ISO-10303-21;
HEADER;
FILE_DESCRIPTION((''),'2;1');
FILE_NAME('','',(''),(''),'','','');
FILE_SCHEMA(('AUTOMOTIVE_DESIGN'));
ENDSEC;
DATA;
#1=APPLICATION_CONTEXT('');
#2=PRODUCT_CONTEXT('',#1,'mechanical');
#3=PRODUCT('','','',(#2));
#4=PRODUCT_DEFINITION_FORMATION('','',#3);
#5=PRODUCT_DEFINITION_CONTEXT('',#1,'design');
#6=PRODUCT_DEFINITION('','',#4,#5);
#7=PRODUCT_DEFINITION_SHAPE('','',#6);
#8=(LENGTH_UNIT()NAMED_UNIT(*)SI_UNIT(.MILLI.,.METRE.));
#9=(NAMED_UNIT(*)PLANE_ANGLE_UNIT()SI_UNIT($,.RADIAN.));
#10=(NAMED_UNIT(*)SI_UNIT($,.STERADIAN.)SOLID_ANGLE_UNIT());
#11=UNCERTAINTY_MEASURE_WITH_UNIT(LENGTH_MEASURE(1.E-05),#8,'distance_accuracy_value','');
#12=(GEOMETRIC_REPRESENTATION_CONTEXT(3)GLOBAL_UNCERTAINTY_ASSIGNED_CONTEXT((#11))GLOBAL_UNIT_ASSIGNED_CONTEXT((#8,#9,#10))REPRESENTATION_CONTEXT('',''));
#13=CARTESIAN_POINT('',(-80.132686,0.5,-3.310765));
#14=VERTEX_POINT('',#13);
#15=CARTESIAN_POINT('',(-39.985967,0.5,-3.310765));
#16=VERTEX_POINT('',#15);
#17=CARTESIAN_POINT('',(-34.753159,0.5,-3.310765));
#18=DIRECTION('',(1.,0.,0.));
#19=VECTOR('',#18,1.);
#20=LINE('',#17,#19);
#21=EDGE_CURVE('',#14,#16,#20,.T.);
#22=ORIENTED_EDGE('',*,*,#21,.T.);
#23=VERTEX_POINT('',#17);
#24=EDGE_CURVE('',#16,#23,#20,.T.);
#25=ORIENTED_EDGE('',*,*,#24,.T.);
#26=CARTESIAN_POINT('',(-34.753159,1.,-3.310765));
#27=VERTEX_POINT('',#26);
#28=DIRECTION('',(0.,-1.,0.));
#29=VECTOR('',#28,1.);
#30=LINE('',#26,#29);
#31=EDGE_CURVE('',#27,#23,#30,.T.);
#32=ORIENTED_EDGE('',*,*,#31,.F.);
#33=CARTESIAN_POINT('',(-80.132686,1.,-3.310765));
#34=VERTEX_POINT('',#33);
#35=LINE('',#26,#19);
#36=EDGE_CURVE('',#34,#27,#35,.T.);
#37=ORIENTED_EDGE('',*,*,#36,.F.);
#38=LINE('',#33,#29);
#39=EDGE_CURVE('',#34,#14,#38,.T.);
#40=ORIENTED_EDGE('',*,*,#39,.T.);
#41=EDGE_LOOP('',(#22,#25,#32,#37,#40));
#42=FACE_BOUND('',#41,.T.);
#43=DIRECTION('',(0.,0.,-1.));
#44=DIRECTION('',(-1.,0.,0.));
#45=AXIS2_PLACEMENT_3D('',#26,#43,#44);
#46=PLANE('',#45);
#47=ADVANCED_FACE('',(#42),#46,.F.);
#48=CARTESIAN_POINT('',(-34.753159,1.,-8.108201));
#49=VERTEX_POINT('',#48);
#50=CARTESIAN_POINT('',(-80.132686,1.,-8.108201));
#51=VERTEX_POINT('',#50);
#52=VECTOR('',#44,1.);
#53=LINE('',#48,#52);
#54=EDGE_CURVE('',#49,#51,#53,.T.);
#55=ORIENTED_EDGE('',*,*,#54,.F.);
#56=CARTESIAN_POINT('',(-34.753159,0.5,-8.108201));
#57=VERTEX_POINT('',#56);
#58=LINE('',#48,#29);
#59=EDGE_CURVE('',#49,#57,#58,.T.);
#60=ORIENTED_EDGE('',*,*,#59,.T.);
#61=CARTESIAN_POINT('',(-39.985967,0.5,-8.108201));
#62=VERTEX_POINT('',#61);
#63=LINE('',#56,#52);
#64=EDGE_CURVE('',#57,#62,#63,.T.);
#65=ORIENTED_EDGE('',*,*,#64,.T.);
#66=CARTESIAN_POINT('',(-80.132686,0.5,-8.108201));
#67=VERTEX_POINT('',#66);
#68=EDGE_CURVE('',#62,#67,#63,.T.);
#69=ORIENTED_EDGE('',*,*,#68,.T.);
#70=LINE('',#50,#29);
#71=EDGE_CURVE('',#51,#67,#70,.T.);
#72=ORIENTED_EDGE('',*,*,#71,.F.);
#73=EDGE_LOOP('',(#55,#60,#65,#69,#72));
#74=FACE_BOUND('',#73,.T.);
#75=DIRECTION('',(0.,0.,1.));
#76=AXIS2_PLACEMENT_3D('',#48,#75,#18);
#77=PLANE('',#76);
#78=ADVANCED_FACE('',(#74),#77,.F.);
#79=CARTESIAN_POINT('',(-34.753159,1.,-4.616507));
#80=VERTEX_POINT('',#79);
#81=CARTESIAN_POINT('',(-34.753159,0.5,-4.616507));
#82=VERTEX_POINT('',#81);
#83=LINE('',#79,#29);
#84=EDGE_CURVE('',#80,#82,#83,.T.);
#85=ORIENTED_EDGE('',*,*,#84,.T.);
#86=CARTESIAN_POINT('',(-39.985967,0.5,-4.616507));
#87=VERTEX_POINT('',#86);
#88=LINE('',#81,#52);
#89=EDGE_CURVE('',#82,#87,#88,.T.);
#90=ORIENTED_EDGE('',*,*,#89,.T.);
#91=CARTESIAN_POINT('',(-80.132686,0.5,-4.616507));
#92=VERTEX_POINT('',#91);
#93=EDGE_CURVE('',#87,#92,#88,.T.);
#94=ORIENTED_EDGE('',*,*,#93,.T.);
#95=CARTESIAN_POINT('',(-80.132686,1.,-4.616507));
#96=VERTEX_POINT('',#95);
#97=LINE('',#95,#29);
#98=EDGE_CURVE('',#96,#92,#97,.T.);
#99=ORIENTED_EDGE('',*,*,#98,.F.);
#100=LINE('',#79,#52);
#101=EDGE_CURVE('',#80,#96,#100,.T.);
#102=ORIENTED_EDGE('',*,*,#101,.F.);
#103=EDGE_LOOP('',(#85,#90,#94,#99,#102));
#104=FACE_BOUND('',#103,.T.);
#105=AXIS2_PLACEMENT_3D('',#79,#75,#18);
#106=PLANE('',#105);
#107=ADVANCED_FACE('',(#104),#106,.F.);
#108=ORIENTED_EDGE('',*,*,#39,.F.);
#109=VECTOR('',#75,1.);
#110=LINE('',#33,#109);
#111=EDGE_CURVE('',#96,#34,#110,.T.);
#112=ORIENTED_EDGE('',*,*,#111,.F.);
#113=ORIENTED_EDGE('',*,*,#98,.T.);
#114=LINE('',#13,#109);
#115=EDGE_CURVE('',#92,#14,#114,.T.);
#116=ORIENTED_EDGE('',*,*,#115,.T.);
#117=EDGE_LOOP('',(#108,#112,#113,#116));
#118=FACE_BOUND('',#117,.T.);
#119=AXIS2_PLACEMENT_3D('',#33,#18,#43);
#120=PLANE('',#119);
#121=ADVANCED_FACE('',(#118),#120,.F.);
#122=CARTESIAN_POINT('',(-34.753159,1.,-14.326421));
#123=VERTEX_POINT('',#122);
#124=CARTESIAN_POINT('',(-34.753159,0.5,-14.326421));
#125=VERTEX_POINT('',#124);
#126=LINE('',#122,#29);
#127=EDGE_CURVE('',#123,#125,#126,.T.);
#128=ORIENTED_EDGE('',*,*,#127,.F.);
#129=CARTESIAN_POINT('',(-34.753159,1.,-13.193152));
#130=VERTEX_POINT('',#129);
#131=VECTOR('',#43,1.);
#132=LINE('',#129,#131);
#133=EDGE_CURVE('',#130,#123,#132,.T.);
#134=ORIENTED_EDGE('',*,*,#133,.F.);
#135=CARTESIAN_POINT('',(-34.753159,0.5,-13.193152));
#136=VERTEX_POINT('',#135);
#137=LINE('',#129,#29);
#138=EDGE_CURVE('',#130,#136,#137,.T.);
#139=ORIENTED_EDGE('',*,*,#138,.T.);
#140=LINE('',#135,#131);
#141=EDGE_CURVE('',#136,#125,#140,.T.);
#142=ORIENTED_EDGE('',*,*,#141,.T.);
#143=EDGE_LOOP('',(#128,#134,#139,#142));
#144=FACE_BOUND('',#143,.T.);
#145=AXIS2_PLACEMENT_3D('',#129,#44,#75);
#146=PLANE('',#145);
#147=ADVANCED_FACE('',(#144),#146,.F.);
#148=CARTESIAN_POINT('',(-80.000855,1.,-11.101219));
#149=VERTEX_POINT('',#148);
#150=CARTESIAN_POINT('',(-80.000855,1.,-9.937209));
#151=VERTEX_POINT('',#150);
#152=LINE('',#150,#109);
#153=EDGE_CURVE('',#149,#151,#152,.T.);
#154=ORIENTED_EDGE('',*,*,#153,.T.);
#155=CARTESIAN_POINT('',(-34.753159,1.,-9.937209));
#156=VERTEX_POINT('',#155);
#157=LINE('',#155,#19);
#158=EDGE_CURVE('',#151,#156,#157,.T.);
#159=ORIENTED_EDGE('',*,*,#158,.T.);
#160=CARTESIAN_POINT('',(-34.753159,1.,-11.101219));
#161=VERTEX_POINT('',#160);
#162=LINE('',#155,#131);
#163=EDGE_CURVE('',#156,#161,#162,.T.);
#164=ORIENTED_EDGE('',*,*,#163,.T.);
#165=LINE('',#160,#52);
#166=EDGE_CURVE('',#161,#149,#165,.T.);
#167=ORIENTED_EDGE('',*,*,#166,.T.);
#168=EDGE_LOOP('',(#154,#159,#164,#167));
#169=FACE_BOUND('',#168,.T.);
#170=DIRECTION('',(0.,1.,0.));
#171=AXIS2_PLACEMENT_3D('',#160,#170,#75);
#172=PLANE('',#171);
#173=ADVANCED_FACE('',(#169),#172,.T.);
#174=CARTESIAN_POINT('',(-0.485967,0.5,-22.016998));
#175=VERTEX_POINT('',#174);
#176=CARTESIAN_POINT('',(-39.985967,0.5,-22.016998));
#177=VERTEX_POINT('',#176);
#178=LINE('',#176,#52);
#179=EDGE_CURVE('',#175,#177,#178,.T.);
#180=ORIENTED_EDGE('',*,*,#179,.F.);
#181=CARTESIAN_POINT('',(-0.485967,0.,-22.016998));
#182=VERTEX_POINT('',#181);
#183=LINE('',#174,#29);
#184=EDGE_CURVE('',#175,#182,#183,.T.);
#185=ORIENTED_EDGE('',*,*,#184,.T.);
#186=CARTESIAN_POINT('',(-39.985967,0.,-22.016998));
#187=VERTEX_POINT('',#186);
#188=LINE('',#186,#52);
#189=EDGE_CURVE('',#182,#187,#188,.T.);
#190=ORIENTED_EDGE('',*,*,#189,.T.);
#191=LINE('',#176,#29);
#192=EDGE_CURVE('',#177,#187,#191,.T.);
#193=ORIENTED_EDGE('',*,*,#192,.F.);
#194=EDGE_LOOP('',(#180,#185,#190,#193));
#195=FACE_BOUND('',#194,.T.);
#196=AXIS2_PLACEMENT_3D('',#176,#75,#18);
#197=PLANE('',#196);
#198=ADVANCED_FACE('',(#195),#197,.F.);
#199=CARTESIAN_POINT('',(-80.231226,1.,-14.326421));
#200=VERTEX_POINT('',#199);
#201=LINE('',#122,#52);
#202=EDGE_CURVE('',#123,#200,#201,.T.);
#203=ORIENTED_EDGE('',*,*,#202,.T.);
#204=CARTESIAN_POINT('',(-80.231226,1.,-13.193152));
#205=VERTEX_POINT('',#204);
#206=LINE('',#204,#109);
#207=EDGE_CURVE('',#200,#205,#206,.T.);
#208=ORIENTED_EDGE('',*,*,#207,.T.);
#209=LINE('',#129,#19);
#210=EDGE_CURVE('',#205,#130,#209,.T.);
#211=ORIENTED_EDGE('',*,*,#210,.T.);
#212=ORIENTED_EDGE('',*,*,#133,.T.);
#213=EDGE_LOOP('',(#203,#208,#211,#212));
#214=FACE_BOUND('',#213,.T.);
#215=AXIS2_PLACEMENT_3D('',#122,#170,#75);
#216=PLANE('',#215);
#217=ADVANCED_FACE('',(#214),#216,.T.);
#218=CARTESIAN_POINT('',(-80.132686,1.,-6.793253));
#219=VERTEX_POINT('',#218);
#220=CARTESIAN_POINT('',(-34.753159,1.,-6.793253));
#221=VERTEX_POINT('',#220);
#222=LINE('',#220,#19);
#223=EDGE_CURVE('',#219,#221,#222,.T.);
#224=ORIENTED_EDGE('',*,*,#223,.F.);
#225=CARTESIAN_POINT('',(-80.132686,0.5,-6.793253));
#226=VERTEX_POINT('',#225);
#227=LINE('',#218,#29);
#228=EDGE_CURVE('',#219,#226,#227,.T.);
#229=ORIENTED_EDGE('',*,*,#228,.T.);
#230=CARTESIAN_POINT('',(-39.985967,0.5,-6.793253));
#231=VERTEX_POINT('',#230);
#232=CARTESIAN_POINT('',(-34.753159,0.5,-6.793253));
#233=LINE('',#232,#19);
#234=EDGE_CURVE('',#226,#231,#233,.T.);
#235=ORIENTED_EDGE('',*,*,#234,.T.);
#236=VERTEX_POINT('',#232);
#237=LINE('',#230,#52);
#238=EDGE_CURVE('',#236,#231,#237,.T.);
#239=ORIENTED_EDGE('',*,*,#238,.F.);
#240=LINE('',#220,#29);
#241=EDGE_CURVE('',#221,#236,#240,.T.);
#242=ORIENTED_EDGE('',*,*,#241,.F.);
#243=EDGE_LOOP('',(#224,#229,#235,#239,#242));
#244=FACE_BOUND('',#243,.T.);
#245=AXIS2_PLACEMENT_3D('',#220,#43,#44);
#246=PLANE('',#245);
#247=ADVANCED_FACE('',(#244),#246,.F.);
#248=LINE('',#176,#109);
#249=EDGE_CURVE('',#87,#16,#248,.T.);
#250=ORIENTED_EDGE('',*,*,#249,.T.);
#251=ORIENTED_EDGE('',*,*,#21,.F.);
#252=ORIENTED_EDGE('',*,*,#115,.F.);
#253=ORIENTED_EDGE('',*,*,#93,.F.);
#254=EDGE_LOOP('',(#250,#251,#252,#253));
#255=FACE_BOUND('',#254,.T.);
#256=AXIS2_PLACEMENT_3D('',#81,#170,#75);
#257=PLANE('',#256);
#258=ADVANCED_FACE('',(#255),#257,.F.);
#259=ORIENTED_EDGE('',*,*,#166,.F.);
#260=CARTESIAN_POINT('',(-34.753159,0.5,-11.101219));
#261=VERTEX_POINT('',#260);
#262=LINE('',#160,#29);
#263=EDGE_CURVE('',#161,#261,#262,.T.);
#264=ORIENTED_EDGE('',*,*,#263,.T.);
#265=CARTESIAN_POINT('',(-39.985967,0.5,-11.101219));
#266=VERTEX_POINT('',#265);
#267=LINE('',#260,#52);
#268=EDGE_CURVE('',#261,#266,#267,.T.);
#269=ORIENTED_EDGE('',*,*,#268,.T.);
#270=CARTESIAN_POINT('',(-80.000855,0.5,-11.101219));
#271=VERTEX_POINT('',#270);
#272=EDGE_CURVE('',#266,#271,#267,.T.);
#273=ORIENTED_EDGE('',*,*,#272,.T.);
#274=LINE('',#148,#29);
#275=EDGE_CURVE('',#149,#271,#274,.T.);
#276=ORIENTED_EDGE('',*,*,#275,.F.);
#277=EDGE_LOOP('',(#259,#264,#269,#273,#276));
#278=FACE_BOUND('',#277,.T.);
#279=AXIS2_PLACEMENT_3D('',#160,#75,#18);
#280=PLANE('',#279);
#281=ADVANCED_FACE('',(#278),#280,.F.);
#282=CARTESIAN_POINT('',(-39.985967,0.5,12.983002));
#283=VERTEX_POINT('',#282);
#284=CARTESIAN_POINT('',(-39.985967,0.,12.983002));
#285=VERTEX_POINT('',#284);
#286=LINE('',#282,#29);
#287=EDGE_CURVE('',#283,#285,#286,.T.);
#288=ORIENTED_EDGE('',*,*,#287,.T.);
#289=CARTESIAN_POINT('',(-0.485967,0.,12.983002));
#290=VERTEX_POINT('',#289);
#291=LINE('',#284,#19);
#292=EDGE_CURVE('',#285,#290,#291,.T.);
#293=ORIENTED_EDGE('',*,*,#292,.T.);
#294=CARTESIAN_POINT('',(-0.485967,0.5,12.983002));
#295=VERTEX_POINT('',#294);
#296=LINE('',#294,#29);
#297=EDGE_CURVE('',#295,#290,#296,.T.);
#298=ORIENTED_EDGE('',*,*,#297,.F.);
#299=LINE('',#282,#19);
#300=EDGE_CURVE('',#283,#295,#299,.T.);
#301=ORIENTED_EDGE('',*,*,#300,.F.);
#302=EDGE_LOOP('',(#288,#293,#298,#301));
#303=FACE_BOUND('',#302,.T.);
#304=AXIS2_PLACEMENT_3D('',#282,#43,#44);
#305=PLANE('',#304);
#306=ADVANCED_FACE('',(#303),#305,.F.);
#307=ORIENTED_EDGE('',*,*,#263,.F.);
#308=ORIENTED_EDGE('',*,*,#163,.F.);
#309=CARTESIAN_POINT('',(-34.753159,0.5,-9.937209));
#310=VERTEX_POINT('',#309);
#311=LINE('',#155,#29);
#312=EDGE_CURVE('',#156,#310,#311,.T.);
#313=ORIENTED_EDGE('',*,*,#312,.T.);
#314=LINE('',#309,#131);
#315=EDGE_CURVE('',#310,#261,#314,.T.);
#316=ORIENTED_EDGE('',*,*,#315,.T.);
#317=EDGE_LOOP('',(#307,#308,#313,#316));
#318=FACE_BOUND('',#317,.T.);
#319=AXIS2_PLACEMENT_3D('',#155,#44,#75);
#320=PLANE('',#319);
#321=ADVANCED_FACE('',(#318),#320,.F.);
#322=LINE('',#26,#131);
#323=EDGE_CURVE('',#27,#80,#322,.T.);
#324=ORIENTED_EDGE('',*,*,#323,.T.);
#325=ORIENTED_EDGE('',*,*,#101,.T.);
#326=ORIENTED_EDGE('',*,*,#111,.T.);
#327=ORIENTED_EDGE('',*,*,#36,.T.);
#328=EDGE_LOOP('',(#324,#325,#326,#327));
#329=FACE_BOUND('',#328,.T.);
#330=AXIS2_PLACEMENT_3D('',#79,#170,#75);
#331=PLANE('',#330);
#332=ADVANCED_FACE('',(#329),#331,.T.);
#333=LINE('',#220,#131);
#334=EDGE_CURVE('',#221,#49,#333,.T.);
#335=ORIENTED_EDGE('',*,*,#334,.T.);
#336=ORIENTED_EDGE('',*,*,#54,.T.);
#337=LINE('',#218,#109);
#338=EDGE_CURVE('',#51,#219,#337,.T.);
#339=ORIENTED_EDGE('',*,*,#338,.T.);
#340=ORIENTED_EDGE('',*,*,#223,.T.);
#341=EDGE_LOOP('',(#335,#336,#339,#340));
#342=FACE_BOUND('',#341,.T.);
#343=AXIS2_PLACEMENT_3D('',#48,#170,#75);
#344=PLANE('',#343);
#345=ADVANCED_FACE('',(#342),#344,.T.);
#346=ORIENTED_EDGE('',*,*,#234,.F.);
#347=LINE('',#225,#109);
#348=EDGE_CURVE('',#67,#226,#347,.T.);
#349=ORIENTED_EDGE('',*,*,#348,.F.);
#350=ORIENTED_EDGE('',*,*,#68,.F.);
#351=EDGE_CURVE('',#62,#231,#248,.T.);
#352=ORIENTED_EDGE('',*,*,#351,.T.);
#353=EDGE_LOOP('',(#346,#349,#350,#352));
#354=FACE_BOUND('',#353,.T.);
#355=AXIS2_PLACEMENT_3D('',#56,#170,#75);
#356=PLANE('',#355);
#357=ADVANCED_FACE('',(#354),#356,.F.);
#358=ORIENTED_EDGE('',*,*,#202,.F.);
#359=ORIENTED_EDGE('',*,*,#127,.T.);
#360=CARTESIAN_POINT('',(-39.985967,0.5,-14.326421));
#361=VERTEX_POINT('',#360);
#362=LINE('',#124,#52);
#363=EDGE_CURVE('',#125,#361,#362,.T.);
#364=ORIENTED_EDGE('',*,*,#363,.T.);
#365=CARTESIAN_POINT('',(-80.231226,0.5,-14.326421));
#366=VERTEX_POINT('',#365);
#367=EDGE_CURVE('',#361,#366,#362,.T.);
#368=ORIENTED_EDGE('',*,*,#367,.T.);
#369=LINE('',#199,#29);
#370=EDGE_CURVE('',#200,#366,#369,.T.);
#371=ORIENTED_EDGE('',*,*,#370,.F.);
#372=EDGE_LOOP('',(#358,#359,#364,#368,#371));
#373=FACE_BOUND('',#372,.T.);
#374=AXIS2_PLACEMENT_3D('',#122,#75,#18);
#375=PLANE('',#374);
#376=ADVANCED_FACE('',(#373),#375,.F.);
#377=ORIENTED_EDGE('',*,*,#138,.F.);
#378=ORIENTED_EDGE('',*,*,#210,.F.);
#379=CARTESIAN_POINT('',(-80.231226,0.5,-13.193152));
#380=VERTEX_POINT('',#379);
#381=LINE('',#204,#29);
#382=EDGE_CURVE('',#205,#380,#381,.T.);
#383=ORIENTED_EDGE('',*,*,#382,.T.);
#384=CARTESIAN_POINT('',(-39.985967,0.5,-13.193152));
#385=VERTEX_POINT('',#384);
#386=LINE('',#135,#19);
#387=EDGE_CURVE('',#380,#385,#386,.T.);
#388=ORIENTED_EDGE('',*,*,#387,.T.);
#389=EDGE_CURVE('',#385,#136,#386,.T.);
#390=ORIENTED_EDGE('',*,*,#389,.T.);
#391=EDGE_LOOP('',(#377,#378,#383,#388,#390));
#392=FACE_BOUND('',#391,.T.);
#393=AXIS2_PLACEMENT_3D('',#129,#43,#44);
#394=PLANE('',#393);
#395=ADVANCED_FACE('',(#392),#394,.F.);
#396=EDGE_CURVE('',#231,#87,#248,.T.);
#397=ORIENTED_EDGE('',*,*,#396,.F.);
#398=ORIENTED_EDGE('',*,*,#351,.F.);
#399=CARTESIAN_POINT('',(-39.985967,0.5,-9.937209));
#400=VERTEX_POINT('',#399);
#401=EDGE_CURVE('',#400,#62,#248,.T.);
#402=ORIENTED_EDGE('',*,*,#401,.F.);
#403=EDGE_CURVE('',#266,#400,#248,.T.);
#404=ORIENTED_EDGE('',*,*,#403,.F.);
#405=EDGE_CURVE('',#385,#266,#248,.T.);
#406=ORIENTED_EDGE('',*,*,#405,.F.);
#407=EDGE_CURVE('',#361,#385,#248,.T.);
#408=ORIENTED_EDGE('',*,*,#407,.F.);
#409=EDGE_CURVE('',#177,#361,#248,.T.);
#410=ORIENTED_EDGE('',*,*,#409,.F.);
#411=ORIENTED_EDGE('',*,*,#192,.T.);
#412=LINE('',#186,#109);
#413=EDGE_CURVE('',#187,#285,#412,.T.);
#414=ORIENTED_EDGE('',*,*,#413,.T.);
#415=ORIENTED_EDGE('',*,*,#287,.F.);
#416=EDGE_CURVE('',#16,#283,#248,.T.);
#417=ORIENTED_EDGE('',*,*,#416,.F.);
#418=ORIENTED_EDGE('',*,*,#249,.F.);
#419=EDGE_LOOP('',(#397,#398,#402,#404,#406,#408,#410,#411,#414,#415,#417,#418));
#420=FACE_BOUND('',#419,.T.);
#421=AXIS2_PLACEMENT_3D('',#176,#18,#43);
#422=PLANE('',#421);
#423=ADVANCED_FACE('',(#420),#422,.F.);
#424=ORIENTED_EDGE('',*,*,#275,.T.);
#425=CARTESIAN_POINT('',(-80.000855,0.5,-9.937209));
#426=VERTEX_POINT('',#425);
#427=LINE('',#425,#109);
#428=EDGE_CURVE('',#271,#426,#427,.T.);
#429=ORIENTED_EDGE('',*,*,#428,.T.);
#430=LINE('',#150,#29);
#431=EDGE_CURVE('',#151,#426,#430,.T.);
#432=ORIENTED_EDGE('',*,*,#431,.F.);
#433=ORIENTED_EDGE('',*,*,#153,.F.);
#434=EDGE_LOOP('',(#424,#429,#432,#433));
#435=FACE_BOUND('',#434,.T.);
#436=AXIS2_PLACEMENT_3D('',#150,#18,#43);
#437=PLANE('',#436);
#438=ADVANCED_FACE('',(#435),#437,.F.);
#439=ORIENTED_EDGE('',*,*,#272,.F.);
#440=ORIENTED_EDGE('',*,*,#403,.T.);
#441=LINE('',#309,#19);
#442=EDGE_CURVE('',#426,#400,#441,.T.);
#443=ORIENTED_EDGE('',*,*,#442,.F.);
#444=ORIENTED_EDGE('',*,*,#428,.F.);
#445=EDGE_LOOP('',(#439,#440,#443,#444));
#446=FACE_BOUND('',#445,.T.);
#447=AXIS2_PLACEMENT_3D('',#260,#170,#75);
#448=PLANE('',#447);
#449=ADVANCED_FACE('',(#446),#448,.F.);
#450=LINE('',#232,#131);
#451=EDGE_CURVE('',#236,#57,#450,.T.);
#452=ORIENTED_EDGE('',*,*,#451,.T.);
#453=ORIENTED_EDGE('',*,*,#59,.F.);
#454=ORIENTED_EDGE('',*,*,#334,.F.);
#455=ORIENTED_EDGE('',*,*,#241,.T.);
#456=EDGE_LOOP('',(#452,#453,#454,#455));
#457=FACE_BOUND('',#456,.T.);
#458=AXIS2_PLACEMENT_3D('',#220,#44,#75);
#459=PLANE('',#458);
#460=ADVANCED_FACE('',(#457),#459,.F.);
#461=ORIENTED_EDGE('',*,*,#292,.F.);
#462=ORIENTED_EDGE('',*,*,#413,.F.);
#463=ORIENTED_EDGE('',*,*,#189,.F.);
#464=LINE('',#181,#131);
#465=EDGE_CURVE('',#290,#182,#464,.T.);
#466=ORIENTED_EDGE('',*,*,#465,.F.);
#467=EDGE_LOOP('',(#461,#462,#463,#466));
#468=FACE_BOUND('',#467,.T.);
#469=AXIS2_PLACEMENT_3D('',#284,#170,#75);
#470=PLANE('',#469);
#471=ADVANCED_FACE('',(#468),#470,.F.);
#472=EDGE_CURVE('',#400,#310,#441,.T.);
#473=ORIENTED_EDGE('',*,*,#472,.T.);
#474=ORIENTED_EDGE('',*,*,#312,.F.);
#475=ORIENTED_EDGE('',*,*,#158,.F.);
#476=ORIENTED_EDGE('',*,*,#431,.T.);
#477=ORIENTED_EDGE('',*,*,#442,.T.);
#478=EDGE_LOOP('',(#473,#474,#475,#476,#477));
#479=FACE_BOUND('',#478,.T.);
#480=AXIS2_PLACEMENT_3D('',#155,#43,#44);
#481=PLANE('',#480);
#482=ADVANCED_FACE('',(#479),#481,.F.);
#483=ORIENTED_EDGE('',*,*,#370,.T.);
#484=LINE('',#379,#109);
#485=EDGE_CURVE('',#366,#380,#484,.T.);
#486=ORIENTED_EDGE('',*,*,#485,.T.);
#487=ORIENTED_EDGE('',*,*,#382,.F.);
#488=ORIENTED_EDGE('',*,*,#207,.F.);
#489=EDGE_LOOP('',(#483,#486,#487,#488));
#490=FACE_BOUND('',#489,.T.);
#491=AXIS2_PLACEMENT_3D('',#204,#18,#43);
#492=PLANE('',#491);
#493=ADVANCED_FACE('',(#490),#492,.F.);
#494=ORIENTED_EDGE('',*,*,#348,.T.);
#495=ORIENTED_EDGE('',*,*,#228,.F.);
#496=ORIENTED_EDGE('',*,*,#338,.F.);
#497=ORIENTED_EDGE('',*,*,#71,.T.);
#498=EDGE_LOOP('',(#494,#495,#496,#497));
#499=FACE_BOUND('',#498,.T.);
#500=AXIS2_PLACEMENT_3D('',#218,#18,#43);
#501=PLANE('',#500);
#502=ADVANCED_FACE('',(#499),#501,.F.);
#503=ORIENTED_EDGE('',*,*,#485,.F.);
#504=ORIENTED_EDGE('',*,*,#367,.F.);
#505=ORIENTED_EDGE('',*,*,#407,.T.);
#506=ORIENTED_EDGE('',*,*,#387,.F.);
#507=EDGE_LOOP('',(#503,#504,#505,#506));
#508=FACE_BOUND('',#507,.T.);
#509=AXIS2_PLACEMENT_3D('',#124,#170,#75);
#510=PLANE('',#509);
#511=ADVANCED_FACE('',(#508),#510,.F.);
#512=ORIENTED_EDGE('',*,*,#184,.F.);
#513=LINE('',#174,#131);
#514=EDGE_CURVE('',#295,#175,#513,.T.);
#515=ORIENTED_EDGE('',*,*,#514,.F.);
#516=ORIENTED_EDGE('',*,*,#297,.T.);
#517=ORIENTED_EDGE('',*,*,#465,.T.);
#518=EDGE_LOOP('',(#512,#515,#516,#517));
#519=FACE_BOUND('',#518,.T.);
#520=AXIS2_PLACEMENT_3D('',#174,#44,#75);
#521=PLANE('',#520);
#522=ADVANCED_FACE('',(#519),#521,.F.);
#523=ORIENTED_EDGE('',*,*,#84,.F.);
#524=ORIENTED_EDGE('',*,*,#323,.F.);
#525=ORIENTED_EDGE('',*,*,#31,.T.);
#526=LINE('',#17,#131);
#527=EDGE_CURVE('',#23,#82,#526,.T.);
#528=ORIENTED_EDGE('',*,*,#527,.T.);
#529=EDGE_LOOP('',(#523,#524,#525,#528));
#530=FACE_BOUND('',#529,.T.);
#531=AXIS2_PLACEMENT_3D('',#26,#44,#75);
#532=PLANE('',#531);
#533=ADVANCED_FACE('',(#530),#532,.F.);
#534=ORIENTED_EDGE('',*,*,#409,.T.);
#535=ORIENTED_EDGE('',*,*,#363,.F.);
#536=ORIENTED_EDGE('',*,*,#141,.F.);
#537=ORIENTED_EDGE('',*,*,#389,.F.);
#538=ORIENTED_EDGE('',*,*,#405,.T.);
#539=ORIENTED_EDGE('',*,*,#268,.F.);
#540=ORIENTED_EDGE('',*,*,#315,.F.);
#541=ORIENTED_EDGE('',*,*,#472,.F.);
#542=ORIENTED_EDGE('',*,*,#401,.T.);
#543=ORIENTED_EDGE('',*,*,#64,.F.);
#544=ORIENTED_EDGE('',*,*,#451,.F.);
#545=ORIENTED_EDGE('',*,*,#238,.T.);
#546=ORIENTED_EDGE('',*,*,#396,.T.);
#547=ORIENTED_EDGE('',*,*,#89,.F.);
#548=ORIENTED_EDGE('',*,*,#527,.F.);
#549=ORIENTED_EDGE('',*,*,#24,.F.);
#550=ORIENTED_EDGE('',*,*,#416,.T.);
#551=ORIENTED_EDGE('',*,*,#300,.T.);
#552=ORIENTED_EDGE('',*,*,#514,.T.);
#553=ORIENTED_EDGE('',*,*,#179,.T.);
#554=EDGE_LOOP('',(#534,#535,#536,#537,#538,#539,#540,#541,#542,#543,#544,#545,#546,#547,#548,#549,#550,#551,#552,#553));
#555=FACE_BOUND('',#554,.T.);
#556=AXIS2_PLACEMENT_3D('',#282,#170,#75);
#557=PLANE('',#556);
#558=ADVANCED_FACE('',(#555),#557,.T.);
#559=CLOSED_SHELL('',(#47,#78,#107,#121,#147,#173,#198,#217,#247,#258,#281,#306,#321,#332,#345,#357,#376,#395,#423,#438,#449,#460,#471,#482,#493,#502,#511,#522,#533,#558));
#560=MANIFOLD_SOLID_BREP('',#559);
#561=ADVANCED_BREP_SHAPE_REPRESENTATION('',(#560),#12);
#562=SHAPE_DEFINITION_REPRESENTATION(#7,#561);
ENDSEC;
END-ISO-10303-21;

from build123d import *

# Parameters (mm, degrees)
SKETCH1_W           = 39.5
SKETCH1_H           = 35
BOSS_EXTRUDE1_DEPTH = 0.5
SKETCH2_W           = 45.379526607
SKETCH2_H           = 1.305742029
SKETCH2_H_2         = 1.314948277
SKETCH2_W_2         = 45.247695687
SKETCH2_H_3         = 1.164010119
SKETCH2_W_3         = 45.478067193
SKETCH2_H_4         = 1.133268544
BOSS_EXTRUDE2_DEPTH = 0.5


with BuildPart() as part:
    # Sketch1 → Boss-Extrude1 (new body)
    with BuildSketch(Plane(origin=(0, 0, 0), x_dir=(1, 0, 0), z_dir=(0, 1, 0))):
        with Locations((-20.235966577, 4.516998197)):
            Rectangle(SKETCH1_W, SKETCH1_H)
    extrude(amount=BOSS_EXTRUDE1_DEPTH)

    # Sketch2 → Boss-Extrude2 (add)
    with BuildSketch(Plane(origin=(0, 0.5, 0), x_dir=(1, 0, 0), z_dir=(0, 1, 0))):
        with Locations((-57.442922572, 3.963636001)):
            Rectangle(SKETCH2_W, SKETCH2_H)
        with Locations((-57.442922572, 7.450727151)):
            Rectangle(SKETCH2_W, SKETCH2_H_2)
        with Locations((-57.377007112, 10.519214372)):
            Rectangle(SKETCH2_W_2, SKETCH2_H_3)
        with Locations((-57.492192865, 13.759786239)):
            Rectangle(SKETCH2_W_3, SKETCH2_H_4)
    extrude(amount=BOSS_EXTRUDE2_DEPTH)


solid = part.part
